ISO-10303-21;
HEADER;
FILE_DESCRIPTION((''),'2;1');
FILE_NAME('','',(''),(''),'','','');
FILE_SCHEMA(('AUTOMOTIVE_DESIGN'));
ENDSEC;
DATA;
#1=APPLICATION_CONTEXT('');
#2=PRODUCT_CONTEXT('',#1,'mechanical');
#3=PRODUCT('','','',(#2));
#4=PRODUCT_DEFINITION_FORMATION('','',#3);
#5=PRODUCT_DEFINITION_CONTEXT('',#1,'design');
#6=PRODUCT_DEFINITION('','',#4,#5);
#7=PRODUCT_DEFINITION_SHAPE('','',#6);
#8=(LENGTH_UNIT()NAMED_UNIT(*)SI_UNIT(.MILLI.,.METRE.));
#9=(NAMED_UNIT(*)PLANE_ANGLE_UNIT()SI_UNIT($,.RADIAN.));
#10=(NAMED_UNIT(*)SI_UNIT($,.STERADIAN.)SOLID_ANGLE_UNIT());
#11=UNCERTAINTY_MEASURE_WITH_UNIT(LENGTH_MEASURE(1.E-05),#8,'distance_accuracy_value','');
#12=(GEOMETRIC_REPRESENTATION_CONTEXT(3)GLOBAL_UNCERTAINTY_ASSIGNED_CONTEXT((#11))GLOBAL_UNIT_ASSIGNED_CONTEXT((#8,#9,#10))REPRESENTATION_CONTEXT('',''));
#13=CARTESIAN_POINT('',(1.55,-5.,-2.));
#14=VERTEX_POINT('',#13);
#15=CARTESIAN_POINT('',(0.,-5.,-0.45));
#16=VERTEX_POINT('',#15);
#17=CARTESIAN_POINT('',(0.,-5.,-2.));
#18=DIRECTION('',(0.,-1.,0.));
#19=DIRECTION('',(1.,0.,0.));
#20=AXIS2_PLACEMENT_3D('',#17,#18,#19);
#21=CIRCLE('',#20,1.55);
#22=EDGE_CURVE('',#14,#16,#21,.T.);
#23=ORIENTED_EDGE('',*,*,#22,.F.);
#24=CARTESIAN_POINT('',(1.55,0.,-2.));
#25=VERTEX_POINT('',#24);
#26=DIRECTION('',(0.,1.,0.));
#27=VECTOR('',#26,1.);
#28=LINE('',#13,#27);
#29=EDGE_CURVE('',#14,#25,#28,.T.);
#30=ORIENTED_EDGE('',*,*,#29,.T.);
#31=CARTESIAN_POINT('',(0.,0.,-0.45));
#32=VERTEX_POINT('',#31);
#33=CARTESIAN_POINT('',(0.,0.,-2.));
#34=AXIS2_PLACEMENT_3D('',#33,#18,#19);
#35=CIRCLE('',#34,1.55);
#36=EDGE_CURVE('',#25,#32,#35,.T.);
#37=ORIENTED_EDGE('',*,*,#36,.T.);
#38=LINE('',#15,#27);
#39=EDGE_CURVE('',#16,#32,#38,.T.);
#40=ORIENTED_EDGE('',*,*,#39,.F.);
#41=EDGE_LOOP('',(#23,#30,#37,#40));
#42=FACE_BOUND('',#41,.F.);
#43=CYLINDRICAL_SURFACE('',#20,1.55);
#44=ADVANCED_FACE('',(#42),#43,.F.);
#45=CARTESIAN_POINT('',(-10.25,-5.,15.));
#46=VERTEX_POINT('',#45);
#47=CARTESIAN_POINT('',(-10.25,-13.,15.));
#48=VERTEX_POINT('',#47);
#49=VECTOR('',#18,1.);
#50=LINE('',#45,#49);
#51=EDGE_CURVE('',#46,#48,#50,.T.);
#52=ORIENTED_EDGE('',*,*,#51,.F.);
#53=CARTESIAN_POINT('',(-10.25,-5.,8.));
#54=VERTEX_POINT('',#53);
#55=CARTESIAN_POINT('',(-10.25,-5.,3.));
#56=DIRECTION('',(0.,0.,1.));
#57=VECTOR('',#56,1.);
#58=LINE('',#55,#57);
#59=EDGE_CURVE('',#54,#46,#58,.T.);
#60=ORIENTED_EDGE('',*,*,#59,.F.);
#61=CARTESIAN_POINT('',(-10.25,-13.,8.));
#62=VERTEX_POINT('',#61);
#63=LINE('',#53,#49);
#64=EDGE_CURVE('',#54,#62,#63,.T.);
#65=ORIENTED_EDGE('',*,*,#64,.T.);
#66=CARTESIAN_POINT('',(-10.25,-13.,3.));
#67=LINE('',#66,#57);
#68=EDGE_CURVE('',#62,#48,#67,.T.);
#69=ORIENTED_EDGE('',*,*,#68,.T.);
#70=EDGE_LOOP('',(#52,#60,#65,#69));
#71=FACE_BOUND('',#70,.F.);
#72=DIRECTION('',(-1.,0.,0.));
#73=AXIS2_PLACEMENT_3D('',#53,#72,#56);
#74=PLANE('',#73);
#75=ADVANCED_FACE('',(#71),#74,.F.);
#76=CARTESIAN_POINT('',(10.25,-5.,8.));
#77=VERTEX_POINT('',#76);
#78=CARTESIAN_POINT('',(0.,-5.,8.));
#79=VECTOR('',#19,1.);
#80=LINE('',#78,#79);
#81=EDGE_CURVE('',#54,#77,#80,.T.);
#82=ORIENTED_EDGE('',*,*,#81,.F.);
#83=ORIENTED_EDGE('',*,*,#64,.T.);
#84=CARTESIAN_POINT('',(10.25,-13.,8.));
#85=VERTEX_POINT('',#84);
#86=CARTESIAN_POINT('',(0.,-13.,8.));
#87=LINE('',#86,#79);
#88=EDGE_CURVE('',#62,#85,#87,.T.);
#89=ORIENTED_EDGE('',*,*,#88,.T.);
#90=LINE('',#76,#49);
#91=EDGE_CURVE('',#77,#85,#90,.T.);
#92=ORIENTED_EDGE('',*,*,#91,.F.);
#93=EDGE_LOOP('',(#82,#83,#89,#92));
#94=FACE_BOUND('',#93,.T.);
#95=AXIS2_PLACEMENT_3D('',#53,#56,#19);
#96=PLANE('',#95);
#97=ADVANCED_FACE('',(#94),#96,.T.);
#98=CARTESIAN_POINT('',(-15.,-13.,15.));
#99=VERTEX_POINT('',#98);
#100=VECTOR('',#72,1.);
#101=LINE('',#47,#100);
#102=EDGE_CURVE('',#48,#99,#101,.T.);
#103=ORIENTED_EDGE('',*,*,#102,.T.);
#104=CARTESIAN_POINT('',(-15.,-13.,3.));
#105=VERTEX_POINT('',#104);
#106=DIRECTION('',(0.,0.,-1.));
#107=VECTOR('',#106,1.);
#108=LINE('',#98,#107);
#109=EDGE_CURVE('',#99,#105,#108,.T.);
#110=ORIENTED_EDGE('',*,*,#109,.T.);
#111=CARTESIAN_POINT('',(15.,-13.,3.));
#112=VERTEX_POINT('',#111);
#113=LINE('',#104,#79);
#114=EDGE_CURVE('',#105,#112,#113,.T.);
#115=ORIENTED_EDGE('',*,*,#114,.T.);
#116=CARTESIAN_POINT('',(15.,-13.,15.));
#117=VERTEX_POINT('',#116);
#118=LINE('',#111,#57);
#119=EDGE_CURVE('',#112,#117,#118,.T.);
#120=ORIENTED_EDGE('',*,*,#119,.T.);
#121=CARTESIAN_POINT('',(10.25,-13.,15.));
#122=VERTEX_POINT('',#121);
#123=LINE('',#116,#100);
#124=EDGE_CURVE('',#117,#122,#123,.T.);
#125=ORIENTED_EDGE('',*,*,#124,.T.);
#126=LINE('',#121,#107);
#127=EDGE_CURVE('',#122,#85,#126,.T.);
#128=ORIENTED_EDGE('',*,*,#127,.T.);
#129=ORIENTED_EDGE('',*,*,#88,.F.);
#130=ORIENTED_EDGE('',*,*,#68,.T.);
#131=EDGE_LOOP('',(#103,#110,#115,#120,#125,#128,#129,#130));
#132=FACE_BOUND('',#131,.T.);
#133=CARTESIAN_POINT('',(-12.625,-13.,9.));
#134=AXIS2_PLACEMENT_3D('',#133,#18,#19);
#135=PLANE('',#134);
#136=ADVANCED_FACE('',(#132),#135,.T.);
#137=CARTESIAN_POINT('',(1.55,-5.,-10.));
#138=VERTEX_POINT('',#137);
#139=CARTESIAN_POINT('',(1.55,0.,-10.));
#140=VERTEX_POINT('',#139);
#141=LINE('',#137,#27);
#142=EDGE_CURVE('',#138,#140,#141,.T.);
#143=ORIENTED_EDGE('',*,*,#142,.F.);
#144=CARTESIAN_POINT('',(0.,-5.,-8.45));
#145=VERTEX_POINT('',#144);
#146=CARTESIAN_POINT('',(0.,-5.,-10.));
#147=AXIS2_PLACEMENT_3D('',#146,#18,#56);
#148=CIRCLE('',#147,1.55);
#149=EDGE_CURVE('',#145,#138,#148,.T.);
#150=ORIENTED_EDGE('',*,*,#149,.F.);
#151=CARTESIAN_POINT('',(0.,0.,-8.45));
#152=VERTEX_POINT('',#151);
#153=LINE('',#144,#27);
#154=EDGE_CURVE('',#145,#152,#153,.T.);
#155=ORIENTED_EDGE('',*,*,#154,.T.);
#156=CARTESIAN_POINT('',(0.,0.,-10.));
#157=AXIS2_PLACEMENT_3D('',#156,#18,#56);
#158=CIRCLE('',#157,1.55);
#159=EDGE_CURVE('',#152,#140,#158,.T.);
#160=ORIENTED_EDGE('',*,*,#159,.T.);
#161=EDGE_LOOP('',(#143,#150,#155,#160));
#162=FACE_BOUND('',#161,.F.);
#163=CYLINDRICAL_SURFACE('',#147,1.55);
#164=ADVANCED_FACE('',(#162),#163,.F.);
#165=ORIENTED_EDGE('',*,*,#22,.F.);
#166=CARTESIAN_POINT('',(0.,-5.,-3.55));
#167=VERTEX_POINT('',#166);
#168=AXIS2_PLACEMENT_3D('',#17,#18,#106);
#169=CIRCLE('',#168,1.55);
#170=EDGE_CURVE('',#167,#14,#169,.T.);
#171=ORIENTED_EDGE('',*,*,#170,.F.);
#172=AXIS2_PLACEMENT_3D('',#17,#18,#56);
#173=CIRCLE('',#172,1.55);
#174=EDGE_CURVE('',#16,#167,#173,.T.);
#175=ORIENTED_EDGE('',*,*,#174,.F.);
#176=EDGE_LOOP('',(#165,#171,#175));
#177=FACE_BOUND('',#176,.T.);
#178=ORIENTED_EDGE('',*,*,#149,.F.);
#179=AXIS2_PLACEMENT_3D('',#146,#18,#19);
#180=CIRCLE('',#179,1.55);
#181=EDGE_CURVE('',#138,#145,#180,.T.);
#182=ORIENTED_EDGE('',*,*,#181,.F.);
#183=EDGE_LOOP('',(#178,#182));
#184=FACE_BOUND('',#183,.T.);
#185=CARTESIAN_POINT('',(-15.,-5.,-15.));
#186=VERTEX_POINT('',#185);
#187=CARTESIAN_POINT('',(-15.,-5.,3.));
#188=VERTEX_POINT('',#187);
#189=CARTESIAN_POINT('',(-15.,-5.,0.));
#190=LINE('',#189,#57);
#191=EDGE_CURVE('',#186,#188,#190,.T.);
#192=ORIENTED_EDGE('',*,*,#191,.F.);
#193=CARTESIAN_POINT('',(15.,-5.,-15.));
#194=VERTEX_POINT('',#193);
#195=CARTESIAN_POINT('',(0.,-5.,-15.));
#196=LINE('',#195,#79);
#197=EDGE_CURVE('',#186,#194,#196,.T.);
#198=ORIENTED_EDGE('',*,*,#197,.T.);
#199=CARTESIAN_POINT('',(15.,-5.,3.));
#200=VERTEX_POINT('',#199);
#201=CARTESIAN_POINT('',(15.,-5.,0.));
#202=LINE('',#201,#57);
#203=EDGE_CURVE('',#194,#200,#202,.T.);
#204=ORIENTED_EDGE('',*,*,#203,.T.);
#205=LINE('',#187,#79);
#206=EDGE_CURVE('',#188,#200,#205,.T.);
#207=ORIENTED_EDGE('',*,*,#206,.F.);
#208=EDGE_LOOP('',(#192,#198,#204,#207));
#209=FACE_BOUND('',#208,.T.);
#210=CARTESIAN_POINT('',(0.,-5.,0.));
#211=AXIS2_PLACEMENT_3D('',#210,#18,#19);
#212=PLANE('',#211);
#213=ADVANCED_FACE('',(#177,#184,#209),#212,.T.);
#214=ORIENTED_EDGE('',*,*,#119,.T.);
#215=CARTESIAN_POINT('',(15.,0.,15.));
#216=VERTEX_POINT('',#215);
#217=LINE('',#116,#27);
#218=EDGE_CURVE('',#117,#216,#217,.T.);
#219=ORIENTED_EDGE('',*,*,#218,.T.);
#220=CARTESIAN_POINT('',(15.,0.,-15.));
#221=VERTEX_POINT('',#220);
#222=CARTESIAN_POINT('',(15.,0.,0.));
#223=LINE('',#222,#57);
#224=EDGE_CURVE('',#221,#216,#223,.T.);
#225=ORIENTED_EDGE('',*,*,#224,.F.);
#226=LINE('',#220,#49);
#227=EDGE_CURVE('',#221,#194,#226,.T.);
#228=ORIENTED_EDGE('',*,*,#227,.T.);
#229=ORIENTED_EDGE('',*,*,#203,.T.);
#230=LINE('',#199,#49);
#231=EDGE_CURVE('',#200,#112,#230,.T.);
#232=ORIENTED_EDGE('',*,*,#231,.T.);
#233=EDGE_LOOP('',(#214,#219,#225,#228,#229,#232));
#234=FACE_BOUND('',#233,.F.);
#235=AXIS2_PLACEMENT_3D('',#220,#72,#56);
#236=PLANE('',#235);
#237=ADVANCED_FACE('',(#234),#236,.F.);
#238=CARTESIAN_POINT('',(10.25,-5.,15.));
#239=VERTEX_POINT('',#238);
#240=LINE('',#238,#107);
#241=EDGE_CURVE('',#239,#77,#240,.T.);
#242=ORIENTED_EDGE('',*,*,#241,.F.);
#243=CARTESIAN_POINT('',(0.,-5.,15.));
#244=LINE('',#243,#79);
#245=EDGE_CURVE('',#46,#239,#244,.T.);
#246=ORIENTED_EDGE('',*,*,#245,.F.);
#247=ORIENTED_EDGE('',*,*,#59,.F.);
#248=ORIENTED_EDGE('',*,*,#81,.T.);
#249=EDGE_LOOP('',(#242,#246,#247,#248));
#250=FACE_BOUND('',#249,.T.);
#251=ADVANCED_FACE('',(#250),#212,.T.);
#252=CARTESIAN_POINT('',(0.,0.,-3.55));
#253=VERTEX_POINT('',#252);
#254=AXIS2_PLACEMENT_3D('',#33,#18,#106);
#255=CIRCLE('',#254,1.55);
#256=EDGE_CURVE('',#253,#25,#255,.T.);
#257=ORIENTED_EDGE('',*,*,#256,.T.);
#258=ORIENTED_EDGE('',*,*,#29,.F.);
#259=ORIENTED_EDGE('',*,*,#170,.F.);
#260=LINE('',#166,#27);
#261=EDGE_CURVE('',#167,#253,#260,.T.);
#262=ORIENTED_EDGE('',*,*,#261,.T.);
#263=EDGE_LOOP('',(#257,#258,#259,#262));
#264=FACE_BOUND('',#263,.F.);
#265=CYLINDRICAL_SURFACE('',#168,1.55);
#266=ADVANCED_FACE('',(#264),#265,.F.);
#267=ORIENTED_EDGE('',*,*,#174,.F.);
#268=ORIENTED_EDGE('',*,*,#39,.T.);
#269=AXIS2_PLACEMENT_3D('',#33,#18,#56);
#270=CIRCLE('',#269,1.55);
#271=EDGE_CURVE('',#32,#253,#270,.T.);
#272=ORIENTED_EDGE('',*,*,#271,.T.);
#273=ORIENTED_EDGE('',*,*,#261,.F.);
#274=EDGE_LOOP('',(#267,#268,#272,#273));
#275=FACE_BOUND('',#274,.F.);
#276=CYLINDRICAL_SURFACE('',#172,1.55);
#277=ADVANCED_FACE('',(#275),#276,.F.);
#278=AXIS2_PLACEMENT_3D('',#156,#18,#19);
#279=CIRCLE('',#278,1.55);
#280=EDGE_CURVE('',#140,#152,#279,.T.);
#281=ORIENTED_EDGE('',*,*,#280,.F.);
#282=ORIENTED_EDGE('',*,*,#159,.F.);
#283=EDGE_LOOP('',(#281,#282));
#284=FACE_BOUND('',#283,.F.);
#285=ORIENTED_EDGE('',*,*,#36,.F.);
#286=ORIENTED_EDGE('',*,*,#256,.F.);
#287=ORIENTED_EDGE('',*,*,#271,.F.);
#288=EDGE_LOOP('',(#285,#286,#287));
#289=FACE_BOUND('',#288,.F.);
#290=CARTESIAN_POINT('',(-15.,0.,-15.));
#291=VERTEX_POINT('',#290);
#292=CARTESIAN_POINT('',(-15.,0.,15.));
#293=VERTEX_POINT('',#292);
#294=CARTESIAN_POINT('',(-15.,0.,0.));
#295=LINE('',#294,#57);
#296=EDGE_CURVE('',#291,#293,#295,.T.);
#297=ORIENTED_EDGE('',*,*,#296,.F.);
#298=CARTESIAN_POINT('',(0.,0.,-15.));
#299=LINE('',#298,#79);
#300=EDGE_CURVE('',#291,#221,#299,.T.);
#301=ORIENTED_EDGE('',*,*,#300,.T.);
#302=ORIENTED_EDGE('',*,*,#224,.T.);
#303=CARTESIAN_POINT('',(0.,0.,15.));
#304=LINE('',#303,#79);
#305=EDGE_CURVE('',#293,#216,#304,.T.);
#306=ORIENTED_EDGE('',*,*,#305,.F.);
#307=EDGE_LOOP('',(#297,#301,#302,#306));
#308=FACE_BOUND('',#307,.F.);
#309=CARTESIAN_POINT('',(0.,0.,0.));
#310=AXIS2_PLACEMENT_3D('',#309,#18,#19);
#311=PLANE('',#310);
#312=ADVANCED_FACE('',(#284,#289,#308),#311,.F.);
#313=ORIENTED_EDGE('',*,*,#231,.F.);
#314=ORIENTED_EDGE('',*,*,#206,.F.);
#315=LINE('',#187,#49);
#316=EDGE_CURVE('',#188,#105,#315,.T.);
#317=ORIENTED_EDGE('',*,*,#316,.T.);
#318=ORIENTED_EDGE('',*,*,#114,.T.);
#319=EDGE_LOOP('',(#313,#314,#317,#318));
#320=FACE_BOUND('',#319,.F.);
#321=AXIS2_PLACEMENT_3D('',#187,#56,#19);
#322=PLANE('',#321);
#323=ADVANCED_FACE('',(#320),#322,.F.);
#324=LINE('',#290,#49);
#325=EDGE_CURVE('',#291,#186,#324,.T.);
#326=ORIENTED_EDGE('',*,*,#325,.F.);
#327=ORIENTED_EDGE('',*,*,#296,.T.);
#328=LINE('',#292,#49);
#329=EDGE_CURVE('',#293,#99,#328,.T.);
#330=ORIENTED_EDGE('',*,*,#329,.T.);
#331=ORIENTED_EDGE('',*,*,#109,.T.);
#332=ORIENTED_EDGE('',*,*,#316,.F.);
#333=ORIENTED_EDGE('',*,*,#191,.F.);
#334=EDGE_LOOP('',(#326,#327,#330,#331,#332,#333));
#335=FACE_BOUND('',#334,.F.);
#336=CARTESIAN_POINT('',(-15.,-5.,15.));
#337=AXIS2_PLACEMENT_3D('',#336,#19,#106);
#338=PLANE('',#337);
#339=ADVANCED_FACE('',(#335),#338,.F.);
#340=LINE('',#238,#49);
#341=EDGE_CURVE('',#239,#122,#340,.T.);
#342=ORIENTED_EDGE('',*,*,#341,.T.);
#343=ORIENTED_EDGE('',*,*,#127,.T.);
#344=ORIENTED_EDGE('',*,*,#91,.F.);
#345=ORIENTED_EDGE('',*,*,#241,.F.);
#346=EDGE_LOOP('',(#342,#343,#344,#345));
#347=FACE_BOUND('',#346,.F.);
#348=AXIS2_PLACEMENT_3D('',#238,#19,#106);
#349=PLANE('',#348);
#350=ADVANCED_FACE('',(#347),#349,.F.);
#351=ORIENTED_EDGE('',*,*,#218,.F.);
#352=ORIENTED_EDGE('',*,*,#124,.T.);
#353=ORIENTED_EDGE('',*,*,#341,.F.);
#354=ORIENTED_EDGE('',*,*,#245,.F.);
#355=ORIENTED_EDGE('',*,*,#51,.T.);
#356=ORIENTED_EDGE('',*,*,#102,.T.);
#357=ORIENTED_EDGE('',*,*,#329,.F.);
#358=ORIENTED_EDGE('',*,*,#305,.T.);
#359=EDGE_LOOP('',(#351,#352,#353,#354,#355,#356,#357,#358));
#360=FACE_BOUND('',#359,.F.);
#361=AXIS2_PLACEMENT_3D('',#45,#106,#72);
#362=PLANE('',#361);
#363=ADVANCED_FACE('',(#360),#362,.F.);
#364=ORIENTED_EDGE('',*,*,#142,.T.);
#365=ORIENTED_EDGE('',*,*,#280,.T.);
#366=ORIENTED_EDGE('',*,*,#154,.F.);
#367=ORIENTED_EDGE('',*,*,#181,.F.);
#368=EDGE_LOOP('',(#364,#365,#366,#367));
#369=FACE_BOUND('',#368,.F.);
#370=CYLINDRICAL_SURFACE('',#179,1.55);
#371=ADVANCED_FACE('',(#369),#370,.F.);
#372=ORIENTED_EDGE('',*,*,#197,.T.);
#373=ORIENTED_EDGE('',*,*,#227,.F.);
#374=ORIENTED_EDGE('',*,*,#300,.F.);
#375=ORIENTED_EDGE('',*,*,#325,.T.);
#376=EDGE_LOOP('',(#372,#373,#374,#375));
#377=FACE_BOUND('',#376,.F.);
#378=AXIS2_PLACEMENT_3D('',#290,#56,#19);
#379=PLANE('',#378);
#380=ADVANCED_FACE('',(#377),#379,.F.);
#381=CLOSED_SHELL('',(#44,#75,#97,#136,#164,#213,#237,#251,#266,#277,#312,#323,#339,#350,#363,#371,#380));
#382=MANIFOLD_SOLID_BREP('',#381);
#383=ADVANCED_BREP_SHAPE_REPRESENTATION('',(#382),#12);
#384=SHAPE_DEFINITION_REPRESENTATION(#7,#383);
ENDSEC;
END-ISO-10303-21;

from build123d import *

# Parameters (mm, degrees)
F0_W     = 30
F0_H     = 30
F1_DEPTH = 5
F3_W     = 20.5
F3_H     = 5
F4_DEPTH = 8
F6_DEPTH = 25


with BuildPart() as f1:
    # F0 (on Front) → F1 (new body)
    with BuildSketch(Plane.XZ):
        Rectangle(F0_W, F0_H)
    extrude(amount=F1_DEPTH)

    # F3 (on face) → F4 (join)
    with BuildSketch(Plane.XZ.offset(5)):
        Polygon((-10.25, 8), (-10.25, 15), (-15, 15), (-15, 3), (-10.25, 3), align=None)
        with Locations((0, 5.5)):
            Rectangle(F3_W, F3_H)
        Polygon((15, 15), (10.25, 15), (10.25, 8), (10.25, 3), (15, 3), align=None)
    extrude(amount=F4_DEPTH)

    # F5 (on face) → F6 (cut)
    with BuildSketch(Plane.XZ.offset(5)):
        with BuildLine():
            Line((0, -2), (0, -0.45))
            ThreePointArc((0, -0.45), (-1.55, -2), (0, -3.55))
            Line((0, -3.55), (0, -2))
        make_face()
        with BuildLine():
            ThreePointArc((1.55, -2), (1.0960155108, -0.9039844892), (0, -0.45))
            Line((0, -0.45), (0, -2))
            Line((0, -2), (0, -3.55))
            ThreePointArc((0, -3.55), (1.0960155108, -3.0960155108), (1.55, -2))
        make_face()
        with BuildLine():
            ThreePointArc((1.55, -10), (1.0960155108, -8.9039844892), (0, -8.45))
            ThreePointArc((0, -8.45), (-1.0960155108, -11.0960155108), (1.55, -10))
        make_face()
    extrude(amount=-F6_DEPTH, mode=Mode.SUBTRACT)


solid = f1.part
